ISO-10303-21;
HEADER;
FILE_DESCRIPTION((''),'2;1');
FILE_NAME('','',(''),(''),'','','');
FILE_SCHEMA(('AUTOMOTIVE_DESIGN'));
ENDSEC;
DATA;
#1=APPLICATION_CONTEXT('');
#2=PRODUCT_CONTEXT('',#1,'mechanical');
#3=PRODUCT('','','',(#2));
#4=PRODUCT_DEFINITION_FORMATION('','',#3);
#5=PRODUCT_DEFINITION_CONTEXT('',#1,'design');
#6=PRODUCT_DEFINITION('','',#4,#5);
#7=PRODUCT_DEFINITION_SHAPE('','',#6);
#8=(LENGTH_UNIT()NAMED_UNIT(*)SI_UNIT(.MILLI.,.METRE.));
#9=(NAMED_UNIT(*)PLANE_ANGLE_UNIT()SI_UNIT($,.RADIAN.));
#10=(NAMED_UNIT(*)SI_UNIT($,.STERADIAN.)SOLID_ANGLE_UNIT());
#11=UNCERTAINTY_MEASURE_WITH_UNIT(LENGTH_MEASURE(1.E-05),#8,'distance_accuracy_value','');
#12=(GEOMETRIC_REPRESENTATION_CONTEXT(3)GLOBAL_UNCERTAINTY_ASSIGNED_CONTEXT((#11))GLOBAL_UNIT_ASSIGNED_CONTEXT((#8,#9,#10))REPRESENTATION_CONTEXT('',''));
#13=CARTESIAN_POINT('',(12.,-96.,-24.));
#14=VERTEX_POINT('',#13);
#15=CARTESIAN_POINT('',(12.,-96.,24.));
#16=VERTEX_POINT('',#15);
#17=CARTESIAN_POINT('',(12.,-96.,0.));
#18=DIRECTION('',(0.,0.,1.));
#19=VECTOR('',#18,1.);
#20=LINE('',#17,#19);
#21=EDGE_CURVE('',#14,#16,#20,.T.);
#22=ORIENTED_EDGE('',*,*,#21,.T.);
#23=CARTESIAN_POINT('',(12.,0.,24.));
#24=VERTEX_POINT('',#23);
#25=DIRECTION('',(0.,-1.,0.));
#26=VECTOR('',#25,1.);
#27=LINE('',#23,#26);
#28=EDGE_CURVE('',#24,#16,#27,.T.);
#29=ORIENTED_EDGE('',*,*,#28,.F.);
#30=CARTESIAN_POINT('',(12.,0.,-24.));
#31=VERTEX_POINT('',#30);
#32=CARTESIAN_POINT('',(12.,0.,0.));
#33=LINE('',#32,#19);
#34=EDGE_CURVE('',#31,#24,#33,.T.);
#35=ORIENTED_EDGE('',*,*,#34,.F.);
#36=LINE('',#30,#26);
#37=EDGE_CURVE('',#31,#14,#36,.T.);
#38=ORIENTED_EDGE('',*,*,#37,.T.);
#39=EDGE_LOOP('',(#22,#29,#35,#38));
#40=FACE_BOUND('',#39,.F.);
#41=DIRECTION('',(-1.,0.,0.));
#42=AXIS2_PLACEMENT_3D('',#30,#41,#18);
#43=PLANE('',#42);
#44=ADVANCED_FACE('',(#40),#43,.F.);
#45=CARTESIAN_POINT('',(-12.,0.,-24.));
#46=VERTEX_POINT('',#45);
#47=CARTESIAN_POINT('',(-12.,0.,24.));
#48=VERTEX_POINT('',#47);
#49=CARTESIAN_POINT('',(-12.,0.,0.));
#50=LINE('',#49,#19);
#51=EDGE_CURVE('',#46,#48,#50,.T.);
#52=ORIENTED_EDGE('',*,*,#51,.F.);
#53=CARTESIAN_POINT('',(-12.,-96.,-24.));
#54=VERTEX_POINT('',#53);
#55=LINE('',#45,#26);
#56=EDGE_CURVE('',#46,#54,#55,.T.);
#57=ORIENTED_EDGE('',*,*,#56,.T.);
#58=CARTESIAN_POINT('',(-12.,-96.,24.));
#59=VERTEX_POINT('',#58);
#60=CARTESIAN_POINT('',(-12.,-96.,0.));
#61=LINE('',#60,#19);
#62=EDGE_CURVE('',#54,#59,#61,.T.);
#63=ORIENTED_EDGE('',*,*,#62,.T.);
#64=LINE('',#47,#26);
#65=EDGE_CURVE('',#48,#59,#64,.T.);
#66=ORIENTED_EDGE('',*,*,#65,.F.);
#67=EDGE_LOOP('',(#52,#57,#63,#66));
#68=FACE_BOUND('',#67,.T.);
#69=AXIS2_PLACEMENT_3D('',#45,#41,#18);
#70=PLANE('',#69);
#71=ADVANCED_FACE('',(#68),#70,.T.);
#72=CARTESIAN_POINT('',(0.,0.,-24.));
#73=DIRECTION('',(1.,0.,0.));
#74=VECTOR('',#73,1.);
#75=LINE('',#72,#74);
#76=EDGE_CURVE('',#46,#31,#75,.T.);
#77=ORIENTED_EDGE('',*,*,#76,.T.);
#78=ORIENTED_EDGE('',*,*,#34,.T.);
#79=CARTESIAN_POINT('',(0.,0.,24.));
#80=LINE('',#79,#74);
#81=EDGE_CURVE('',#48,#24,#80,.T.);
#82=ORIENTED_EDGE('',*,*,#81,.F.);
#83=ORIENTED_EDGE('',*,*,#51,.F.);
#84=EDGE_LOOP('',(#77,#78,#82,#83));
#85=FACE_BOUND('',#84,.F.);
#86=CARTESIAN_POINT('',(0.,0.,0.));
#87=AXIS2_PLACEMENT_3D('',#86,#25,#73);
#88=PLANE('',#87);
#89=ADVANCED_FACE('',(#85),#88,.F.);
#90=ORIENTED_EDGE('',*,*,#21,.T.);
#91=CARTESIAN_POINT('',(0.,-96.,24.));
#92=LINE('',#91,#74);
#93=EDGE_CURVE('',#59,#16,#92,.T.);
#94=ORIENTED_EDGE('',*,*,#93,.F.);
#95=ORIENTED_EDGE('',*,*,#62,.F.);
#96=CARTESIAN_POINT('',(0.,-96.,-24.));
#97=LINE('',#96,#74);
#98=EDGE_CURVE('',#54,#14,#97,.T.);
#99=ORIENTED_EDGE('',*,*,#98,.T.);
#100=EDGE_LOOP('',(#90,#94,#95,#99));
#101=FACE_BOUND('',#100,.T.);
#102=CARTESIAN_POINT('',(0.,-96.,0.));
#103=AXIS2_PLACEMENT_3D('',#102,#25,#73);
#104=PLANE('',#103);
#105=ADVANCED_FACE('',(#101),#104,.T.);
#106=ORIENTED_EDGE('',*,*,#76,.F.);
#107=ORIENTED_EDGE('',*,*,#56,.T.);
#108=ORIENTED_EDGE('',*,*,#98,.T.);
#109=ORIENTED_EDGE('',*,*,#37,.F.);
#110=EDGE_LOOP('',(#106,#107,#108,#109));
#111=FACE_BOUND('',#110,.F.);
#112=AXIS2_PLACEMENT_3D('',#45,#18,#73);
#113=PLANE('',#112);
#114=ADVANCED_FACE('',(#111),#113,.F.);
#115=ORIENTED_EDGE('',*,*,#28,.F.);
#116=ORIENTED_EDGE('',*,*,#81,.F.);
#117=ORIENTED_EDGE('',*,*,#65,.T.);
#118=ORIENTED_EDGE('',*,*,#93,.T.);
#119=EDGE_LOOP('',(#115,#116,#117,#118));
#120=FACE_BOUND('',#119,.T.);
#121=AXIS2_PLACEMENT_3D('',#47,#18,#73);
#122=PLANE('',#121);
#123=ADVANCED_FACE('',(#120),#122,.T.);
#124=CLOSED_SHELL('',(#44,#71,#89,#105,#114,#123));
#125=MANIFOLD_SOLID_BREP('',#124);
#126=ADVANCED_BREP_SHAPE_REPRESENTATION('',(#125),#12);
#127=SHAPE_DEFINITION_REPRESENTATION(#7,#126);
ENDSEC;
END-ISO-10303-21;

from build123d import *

# Parameters (mm, degrees)
F1_W     = 24
F1_H     = 48
F2_DEPTH = 96


with BuildPart() as f2:
    # F1 (on Front) → F2 (new body)
    with BuildSketch(Plane.XZ):
        Rectangle(F1_W, F1_H)
    extrude(amount=F2_DEPTH)


solid = f2.part
